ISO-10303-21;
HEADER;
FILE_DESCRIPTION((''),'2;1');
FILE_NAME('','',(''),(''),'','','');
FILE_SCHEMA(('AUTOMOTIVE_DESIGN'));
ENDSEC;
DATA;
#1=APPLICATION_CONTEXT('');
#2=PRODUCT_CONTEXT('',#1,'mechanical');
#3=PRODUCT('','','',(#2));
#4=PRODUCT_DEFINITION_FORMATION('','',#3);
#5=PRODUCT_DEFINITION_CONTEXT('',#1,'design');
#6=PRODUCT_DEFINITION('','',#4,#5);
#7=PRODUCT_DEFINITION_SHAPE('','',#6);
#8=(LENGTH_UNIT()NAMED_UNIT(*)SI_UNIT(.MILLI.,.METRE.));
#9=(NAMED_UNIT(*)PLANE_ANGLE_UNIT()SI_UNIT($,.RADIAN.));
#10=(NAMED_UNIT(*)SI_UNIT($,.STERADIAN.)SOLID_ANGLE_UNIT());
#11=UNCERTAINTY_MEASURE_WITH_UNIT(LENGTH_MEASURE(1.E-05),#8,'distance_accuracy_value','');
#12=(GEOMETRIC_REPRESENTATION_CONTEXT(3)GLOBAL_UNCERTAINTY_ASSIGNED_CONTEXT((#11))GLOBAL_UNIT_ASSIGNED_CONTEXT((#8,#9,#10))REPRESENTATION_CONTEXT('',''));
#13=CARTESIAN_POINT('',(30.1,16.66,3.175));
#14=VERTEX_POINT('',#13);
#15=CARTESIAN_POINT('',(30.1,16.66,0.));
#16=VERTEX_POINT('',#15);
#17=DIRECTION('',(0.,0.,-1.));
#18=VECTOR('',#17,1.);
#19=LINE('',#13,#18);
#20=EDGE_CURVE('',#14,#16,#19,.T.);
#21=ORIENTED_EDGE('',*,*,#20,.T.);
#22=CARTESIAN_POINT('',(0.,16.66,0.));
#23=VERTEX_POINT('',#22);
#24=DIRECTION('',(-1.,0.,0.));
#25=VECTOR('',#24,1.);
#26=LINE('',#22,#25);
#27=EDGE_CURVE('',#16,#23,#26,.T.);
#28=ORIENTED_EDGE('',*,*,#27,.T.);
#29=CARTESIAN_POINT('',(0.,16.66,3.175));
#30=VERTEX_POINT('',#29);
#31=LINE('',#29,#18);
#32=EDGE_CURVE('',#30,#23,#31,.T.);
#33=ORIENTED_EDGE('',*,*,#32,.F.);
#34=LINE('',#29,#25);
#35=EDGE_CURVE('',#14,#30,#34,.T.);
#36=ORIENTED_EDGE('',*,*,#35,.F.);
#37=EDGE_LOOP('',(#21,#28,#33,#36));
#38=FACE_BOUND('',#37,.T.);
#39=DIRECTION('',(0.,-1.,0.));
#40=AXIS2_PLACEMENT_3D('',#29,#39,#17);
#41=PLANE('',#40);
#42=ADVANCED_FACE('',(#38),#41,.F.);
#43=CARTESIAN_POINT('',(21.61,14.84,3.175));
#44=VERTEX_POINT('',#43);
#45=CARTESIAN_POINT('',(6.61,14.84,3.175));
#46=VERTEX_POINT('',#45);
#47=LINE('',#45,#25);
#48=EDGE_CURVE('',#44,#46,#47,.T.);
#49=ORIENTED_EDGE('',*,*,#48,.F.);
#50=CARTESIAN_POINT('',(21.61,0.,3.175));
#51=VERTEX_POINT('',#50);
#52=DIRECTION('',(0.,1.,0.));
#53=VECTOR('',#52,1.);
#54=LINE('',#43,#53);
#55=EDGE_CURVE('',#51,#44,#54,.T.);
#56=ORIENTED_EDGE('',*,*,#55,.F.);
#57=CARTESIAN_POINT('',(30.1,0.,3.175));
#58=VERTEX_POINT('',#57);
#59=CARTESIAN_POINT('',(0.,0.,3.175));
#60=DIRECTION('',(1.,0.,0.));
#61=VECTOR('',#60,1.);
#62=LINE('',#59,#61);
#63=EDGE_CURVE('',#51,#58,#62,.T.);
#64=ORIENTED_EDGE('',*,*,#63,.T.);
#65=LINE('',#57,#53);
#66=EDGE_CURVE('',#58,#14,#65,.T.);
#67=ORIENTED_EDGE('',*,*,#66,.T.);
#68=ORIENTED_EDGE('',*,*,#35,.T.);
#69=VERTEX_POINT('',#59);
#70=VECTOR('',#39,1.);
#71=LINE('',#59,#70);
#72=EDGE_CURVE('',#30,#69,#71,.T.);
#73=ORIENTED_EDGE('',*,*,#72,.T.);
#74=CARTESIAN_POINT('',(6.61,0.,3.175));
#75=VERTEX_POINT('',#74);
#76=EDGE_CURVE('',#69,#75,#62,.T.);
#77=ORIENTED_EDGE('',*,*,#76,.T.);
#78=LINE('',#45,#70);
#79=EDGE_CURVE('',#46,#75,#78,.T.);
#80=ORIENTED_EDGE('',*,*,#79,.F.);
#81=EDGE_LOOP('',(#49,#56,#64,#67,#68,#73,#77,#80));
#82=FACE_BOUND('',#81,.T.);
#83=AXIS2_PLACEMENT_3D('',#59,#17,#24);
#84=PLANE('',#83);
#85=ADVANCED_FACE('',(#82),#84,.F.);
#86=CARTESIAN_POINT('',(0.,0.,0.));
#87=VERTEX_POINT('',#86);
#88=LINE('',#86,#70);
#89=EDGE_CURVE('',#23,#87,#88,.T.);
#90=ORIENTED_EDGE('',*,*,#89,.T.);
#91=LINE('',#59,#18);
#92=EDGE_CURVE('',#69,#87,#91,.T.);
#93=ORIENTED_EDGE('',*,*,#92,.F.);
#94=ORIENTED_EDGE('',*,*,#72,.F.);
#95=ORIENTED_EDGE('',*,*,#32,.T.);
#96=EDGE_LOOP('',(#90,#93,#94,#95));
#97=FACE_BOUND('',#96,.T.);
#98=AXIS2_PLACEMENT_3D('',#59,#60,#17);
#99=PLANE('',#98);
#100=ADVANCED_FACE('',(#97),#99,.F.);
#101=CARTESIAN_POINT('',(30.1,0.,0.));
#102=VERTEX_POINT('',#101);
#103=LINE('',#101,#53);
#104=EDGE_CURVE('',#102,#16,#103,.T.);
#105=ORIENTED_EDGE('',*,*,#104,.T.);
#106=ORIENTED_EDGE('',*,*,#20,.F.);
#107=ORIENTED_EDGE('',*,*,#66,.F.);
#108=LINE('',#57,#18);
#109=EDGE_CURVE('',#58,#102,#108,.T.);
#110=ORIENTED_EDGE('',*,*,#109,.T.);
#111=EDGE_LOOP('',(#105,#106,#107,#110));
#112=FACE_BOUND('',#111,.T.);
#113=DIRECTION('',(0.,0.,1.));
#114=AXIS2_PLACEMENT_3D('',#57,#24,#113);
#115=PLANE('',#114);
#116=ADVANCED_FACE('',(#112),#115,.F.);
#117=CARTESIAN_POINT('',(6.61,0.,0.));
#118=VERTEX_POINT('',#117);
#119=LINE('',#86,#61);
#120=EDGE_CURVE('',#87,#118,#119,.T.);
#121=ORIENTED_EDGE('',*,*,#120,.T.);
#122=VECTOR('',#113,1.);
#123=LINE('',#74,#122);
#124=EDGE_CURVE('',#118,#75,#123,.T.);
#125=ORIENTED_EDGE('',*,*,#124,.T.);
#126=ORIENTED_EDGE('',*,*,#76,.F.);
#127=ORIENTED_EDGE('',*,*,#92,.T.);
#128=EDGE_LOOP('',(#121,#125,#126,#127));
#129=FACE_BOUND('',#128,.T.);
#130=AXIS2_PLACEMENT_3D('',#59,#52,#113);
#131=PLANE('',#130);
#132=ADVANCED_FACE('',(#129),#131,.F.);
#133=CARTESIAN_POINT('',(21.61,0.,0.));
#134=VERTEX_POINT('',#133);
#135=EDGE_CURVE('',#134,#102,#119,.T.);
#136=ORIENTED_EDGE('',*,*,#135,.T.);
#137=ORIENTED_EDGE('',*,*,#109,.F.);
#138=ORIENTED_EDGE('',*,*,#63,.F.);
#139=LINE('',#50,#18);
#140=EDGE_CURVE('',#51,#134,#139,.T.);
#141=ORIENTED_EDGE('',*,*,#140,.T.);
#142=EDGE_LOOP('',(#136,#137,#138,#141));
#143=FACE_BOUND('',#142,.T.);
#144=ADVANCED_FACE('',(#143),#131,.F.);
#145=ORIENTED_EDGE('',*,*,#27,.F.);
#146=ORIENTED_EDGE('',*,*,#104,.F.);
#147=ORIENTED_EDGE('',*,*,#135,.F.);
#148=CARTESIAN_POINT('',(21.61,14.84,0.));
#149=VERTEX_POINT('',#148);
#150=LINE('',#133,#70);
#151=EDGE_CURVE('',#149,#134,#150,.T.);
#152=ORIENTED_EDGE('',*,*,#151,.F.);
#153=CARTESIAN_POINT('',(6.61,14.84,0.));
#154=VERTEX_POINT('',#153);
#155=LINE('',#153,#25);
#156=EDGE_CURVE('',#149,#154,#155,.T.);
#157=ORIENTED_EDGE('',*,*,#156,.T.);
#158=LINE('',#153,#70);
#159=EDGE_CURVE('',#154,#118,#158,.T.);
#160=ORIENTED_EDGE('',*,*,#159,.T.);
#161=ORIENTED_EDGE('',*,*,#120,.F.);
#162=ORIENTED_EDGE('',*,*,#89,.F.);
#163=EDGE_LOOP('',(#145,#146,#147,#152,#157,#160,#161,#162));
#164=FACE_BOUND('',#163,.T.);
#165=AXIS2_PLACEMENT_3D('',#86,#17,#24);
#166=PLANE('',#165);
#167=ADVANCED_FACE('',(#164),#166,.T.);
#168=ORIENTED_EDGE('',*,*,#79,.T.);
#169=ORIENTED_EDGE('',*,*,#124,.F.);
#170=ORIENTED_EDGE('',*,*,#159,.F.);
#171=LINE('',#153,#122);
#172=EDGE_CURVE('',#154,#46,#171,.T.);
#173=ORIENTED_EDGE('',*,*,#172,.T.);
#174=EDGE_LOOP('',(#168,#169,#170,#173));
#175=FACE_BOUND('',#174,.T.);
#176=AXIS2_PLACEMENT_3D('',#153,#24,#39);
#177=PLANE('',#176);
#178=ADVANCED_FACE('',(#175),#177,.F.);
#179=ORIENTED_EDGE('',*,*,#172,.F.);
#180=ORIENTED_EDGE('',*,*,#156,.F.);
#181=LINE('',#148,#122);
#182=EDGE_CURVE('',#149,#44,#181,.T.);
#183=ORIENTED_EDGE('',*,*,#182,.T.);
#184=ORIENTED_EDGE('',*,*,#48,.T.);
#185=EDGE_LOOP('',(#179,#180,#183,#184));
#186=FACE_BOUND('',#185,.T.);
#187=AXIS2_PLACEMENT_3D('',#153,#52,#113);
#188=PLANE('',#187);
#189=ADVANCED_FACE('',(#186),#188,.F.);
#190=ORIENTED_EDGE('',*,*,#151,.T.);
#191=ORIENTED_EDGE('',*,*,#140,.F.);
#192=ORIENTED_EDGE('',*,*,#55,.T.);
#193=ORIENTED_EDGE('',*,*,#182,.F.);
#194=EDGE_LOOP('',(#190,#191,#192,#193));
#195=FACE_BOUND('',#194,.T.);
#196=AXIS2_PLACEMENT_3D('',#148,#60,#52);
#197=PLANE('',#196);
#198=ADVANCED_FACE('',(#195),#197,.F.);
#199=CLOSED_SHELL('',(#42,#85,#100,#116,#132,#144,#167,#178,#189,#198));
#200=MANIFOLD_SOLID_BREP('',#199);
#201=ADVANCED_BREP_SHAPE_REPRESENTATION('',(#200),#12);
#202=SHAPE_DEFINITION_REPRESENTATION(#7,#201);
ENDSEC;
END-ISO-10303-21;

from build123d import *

# Parameters (mm, degrees)
SKETCH1_W           = 30.1
SKETCH1_H           = 16.66
BOSS_EXTRUDE1_DEPTH = 3.175
SKETCH2_W           = 15
SKETCH2_H           = 15
CUT_EXTRUDE1_DEPTH  = 4.175


with BuildPart() as part:
    # Sketch1 → Boss-Extrude1 (new body)
    with BuildSketch(Plane.XY):
        with Locations((15.05, 8.33)):
            Rectangle(SKETCH1_W, SKETCH1_H)
    extrude(amount=BOSS_EXTRUDE1_DEPTH)

    # Sketch2 → Cut-Extrude1 (cut, through all)
    with BuildSketch(Plane.XY.offset(3.175)):
        with Locations((14.11, 7.34)):
            Rectangle(SKETCH2_W, SKETCH2_H)
    extrude(amount=-CUT_EXTRUDE1_DEPTH, mode=Mode.SUBTRACT)


solid = part.part
